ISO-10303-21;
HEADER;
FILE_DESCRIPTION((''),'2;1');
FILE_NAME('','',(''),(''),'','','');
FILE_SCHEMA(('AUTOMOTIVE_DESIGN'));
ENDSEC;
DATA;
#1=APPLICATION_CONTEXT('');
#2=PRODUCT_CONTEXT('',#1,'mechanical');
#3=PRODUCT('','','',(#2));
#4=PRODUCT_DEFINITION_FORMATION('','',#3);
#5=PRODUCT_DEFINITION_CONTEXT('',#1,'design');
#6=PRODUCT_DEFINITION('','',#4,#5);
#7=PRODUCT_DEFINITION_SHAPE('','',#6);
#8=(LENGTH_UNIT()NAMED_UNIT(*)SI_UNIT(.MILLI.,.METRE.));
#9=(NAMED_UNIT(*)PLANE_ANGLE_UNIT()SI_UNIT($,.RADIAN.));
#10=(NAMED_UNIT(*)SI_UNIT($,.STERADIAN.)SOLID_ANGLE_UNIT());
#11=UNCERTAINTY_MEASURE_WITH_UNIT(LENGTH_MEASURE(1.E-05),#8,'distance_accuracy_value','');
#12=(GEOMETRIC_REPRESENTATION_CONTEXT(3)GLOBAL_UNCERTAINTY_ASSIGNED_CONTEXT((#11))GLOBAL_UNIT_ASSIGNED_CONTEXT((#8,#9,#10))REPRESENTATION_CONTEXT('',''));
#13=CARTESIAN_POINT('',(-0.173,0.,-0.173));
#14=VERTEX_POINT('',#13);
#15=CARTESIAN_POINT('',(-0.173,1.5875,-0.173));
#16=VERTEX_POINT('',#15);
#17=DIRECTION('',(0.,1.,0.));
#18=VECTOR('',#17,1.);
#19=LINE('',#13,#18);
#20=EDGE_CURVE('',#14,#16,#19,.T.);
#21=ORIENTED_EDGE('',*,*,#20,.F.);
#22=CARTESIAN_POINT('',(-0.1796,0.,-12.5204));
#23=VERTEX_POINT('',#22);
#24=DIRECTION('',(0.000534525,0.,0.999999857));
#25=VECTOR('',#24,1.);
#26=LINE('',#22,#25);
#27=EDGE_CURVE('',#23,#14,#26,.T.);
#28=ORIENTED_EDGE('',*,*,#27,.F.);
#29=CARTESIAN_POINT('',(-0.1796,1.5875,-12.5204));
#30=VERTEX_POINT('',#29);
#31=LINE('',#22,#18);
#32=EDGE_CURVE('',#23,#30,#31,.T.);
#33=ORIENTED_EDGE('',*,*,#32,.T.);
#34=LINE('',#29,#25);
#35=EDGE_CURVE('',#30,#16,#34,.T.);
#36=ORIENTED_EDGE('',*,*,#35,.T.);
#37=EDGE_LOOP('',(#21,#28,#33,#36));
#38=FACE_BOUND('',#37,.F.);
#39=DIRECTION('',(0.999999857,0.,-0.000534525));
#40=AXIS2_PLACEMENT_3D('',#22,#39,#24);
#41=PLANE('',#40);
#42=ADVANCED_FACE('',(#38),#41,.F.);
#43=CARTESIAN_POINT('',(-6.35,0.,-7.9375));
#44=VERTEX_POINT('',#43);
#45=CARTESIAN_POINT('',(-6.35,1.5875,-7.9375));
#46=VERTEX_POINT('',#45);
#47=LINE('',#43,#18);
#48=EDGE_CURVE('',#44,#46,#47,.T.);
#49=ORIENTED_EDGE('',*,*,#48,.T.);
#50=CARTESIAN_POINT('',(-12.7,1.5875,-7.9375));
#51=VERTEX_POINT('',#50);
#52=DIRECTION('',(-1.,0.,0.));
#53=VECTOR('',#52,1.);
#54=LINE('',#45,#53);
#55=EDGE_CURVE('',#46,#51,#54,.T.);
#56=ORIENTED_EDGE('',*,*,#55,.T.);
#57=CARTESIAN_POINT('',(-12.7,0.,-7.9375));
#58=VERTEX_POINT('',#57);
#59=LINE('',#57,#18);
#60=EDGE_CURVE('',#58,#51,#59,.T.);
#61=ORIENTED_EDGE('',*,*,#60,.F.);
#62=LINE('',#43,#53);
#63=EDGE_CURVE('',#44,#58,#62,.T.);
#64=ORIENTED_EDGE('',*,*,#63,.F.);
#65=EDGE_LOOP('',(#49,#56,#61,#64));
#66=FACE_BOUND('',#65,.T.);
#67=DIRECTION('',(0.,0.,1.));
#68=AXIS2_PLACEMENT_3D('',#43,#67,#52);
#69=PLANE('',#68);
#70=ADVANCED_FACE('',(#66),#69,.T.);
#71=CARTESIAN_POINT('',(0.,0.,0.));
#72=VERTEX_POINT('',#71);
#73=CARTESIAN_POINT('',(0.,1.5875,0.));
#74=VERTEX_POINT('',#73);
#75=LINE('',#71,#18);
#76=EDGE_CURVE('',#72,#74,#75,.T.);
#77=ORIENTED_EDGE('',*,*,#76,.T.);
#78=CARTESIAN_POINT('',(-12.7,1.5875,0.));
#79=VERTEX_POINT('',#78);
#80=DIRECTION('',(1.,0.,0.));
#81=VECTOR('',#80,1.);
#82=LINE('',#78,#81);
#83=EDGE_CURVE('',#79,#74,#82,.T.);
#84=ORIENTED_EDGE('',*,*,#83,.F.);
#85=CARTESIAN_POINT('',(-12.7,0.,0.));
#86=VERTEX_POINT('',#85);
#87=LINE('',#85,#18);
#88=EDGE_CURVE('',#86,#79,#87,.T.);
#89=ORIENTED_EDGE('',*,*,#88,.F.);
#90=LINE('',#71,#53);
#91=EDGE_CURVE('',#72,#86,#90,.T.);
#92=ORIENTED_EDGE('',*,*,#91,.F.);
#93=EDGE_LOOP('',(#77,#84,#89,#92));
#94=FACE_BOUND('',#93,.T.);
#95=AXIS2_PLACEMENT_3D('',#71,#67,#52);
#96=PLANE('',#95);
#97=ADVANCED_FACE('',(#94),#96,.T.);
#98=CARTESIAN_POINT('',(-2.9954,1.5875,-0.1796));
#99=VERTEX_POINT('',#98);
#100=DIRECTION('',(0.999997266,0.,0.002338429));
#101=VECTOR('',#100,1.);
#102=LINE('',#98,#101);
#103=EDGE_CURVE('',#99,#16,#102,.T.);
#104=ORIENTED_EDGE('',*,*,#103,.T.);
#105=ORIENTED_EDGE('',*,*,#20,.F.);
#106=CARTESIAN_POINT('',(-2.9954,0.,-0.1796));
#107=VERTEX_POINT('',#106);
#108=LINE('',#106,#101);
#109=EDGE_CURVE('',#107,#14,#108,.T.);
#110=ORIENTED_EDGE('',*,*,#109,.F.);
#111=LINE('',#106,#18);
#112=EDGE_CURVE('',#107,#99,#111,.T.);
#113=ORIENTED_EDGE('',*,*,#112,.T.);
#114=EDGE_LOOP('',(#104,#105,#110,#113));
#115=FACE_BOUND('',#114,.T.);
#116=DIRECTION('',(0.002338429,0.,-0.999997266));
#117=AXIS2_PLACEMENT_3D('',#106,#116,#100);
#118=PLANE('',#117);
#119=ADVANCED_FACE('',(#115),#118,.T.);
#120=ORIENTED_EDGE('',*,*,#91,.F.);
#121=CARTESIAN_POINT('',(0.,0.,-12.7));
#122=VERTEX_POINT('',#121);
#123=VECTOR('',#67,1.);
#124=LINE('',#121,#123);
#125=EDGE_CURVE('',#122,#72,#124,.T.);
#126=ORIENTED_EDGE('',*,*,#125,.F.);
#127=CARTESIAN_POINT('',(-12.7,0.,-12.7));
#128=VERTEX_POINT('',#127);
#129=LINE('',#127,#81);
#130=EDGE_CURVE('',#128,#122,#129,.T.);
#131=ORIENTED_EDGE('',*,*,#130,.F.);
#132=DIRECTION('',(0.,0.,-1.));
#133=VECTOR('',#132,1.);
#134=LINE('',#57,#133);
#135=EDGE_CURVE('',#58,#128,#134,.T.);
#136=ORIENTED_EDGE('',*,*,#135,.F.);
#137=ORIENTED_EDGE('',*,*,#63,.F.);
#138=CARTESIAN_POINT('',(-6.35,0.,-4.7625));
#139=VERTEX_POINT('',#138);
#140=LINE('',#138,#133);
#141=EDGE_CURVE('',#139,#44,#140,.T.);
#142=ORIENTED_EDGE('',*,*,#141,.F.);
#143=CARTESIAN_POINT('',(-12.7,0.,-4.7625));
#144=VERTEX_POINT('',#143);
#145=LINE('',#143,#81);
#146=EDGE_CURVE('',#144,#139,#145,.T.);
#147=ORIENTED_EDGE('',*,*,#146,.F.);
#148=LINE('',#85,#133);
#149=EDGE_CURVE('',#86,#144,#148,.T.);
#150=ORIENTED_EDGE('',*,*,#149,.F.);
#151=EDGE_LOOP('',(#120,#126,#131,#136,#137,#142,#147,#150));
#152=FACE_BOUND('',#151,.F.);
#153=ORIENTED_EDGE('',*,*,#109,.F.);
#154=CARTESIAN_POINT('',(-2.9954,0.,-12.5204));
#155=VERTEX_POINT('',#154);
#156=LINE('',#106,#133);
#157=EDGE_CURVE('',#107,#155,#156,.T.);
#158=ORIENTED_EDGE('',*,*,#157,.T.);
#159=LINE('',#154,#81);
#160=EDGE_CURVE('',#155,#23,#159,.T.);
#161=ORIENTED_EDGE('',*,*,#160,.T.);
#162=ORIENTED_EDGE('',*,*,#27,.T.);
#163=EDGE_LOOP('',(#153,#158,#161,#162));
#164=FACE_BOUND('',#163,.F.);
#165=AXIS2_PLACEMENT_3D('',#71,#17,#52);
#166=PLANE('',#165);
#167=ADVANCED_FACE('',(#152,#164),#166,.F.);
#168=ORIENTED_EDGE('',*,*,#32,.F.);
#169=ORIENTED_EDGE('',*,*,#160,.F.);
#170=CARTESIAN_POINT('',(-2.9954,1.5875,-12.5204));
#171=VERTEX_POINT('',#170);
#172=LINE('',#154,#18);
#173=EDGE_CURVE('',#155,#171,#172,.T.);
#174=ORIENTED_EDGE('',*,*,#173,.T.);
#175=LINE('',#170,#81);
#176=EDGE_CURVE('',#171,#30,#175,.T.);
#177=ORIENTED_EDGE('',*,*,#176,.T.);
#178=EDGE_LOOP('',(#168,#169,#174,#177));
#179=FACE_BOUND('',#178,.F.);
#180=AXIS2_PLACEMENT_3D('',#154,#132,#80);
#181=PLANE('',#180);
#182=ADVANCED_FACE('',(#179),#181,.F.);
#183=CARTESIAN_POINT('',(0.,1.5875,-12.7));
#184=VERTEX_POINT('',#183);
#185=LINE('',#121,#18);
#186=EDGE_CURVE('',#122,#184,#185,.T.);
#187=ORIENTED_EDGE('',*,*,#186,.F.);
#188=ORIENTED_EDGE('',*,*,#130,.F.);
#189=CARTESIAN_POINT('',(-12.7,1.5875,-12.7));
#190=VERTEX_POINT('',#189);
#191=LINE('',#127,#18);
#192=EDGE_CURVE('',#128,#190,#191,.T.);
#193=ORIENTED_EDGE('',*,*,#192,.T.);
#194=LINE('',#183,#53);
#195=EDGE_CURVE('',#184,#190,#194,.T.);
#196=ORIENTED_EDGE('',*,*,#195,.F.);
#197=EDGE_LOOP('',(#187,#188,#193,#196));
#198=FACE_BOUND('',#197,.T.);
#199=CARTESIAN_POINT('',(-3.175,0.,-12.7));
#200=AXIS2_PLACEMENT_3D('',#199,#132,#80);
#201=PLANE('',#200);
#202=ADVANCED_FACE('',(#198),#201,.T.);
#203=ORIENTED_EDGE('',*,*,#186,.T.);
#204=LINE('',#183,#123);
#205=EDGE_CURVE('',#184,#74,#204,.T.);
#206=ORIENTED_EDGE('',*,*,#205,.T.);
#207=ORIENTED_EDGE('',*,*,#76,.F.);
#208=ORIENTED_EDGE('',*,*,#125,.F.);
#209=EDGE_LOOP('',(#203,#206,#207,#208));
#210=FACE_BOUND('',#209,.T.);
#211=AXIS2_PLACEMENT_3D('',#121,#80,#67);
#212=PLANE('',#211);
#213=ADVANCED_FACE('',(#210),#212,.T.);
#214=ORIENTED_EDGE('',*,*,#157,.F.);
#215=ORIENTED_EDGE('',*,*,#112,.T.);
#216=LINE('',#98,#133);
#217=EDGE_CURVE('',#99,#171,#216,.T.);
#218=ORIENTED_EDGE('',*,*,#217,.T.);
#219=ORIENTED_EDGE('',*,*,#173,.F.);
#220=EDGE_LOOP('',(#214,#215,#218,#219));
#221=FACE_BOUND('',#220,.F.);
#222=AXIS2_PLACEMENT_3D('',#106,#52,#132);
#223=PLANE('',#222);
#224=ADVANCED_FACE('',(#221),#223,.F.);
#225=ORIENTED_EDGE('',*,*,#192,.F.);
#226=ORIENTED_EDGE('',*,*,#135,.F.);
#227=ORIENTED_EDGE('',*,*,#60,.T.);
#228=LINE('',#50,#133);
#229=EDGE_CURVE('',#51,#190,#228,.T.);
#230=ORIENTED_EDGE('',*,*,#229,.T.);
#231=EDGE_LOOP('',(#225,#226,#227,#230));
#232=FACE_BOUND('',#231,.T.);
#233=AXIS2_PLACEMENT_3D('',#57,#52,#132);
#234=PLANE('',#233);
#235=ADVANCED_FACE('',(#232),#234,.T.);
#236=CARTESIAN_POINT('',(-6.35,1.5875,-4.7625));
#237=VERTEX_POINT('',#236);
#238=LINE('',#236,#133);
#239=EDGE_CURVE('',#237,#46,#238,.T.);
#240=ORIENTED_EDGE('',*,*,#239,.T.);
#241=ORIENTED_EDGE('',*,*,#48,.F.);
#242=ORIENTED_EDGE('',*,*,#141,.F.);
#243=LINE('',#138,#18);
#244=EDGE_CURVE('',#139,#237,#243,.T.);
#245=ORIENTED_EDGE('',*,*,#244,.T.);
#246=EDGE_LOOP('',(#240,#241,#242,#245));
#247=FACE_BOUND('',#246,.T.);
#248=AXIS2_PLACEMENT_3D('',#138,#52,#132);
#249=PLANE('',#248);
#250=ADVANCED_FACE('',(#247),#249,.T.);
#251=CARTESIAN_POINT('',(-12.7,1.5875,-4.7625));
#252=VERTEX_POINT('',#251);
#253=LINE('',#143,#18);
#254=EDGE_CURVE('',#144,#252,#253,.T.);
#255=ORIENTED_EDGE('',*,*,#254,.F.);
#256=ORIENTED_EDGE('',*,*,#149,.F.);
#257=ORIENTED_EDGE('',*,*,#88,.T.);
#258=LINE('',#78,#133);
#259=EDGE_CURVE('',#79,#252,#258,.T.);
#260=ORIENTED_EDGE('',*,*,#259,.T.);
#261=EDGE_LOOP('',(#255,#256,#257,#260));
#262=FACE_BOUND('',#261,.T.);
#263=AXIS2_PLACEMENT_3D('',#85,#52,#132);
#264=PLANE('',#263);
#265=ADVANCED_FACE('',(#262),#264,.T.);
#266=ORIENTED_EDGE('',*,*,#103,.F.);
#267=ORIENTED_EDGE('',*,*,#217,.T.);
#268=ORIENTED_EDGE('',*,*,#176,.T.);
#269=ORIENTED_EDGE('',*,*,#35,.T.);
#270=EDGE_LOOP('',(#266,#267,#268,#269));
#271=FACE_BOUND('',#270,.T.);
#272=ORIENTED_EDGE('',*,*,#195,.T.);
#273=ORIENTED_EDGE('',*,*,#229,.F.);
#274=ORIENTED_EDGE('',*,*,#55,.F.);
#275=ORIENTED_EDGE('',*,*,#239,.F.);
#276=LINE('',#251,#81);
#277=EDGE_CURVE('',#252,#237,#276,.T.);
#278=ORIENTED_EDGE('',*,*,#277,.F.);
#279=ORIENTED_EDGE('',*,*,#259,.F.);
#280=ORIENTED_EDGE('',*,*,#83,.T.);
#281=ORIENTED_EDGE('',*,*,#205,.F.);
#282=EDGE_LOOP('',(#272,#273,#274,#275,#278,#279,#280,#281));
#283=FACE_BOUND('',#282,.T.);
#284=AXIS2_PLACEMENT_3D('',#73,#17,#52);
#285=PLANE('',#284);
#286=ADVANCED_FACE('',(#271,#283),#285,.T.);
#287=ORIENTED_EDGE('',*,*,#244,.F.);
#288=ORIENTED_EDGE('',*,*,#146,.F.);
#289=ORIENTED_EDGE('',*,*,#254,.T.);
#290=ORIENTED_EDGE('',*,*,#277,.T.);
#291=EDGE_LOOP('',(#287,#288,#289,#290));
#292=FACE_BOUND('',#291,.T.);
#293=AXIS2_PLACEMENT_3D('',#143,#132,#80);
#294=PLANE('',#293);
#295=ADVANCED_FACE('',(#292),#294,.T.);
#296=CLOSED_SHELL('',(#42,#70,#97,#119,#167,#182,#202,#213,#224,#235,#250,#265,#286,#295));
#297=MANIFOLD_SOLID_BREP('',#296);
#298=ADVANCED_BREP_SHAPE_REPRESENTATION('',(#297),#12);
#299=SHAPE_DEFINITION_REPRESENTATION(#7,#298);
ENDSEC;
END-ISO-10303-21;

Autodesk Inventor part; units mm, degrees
ref_plane "YZ Plane" through (0, 0, 0) normal (1, 0, 0) x (0, 1, 0)
ref_plane "XZ Plane" through (0, 0, 0) normal (0, 1, 0) x (-1, 0, 0)
ref_plane "XY Plane" through (0, 0, 0) normal (0, 0, 1) x (1, 0, 0)
sketch "Sketch2" plane through (0, 0, 0) normal (0, 1, 0) x (-1, 0, 0)
  line L0 (0, 0) -> (3.175, 0)
  line L1 (3.175, 0) -> (12.7, 0)
  line L2 (12.7, 0) -> (12.7, -4.7625)
  line L3 (12.7, -4.7625) -> (12.7, -7.9375)
  line L4 (12.7, -7.9375) -> (12.7, -12.7)
  line L5 (12.7, -12.7) -> (3.175, -12.7)
  line L6 (3.175, -12.7) -> (0, -12.7)
  line L7 (0, -12.7) -> (0, 0)
  line L8 (3.175, 0) -> (3.175, -12.7)
  line L9 (12.7, -4.7625) -> (6.35, -4.7625)
  line L10 (6.35, -4.7625) -> (6.35, -7.9375)
  line L11 (6.35, -7.9375) -> (12.7, -7.9375)
  line L12 (0, 0) -> (0.173, -0.173)
  line L13 (0, 0) -> (0.2447, 0) construction
  line L14 (0, -12.7) -> (0.1796, -12.5204)
  line L15 (0, -12.7) -> (0.254, -12.7) construction
  line L16 (3.175, -12.7) -> (2.9954, -12.5204)
  line L17 (3.175, 0) -> (2.9954, -0.1796)
  line L18 (3.175, 0) -> (3.429, 0) construction
  line L19 (2.9954, -0.1796) -> (2.9954, -12.5204)
  line L20 (2.9954, -12.5204) -> (0.1796, -12.5204)
  line L21 (0.1796, -12.5204) -> (0.173, -0.173)
  line L22 (2.9954, -0.1796) -> (0.173, -0.173)
  dimension "d26" = 3.175
  dimension "d27" = 9.525
  dimension "d28" = 4.7625
  dimension "d29" = 3.175
  dimension "d30" = 4.7625
  dimension "d31" = 9.525
  dimension "d32" = 3.175
  dimension "d33" = 12.7
  dimension "d34" = 6.35
  dimension "d35" = 3.175
  dimension "d36" = 45
  dimension "d37" = 0.254
  dimension "d38" = 45
  dimension "d39" = 0.254
  dimension "d40" = 0.254
  dimension "d41" = 135
extrude "Extrusion1" add sketch "Sketch2" along normal blind 1.5875 contours L12 L21 L14 L7 | L0 L17 L22 L12 | L1 L2 L9 L10 L11 L4 L5 L8 | L8 L16 L19 L17 | L14 L20 L16 L6
properties part number "MAX30102"
